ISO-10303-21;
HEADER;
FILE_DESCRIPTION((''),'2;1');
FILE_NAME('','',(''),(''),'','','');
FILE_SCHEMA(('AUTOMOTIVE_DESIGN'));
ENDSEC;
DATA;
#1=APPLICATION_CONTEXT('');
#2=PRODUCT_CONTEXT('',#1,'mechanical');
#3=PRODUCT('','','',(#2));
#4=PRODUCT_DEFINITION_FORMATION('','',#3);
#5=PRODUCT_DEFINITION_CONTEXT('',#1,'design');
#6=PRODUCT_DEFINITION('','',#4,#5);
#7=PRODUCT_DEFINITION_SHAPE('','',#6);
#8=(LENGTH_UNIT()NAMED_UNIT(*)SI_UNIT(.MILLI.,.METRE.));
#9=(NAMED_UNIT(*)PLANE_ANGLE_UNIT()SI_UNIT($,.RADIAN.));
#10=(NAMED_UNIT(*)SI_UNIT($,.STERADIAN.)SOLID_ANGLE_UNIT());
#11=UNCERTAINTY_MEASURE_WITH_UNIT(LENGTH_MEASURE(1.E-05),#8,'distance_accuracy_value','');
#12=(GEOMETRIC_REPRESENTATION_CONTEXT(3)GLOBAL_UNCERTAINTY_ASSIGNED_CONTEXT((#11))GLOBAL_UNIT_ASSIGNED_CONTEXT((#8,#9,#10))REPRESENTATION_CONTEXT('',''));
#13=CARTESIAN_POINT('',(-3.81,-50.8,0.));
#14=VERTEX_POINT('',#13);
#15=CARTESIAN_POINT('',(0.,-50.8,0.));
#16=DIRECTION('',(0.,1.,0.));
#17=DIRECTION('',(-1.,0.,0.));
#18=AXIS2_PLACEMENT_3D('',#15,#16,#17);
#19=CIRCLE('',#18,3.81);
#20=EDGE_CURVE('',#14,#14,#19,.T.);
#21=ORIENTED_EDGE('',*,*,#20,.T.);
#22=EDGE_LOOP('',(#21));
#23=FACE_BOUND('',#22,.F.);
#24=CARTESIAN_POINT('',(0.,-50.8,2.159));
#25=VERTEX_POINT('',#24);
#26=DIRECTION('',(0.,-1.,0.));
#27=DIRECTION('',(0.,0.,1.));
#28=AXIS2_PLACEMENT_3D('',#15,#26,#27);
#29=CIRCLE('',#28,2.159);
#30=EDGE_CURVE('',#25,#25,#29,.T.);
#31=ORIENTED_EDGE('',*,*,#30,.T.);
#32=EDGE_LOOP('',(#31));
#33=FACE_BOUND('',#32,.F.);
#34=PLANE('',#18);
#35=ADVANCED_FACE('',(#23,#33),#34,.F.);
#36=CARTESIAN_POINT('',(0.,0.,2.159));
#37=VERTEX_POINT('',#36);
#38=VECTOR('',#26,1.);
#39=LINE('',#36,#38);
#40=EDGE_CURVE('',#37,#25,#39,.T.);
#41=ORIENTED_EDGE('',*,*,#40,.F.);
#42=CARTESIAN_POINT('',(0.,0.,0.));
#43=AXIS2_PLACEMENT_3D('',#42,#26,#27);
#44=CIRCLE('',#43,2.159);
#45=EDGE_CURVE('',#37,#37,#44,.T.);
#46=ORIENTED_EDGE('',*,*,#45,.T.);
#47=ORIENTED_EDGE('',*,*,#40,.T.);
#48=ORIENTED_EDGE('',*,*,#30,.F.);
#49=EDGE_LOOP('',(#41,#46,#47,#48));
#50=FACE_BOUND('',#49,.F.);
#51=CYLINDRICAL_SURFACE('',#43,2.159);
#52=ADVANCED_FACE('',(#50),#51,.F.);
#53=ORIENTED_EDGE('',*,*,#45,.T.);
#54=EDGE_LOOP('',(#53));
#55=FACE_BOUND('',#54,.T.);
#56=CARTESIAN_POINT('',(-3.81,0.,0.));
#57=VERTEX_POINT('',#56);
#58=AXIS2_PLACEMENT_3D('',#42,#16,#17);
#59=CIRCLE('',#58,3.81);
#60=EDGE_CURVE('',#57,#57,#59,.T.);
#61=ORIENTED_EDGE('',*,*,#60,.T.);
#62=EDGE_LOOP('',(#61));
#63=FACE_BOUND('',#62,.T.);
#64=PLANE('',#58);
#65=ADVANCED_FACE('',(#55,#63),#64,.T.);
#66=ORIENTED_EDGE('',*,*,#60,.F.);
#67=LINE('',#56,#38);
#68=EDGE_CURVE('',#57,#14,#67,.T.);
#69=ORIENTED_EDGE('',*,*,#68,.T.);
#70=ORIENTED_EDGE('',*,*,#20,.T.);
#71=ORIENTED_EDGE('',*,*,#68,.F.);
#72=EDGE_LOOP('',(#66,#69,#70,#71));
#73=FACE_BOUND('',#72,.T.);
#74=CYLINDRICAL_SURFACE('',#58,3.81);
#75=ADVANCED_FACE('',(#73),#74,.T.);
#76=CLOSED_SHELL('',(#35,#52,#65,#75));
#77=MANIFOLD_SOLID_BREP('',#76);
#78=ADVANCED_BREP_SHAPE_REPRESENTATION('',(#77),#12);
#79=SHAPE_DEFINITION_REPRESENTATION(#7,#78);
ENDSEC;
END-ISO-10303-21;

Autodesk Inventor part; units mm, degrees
ref_plane "YZ Plane" through (0, 0, 0) normal (1, 0, 0) x (0, 1, 0)
ref_plane "XZ Plane" through (0, 0, 0) normal (0, 1, 0) x (-1, 0, 0)
ref_plane "XY Plane" through (0, 0, 0) normal (0, 0, 1) x (1, 0, 0)
sketch "Sketch2" plane through (0, 0, 0) normal (0, 1, 0) x (-1, 0, 0)
  circle A0 centre (0, 0) radius 3.81
  dimension "d0" = 7.62
extrude "Extrusion1" add sketch "Sketch2" against normal blind 50.8
sketch "Sketch3" plane through (0, 0, 0) normal (0, 1, 0) x (1, 0, 0)
  point P0 (0, 0)
  point P1 (0, 0)
hole "Hole1" at (0, 0, 0) direction (0, -1, 0) diameter 4.318 end through all clearance for "Flat Head Machine Screw (82)" size "#8" standard "Ansi Unified Screw Threads"
properties part number "Standoff_3DPrint"
